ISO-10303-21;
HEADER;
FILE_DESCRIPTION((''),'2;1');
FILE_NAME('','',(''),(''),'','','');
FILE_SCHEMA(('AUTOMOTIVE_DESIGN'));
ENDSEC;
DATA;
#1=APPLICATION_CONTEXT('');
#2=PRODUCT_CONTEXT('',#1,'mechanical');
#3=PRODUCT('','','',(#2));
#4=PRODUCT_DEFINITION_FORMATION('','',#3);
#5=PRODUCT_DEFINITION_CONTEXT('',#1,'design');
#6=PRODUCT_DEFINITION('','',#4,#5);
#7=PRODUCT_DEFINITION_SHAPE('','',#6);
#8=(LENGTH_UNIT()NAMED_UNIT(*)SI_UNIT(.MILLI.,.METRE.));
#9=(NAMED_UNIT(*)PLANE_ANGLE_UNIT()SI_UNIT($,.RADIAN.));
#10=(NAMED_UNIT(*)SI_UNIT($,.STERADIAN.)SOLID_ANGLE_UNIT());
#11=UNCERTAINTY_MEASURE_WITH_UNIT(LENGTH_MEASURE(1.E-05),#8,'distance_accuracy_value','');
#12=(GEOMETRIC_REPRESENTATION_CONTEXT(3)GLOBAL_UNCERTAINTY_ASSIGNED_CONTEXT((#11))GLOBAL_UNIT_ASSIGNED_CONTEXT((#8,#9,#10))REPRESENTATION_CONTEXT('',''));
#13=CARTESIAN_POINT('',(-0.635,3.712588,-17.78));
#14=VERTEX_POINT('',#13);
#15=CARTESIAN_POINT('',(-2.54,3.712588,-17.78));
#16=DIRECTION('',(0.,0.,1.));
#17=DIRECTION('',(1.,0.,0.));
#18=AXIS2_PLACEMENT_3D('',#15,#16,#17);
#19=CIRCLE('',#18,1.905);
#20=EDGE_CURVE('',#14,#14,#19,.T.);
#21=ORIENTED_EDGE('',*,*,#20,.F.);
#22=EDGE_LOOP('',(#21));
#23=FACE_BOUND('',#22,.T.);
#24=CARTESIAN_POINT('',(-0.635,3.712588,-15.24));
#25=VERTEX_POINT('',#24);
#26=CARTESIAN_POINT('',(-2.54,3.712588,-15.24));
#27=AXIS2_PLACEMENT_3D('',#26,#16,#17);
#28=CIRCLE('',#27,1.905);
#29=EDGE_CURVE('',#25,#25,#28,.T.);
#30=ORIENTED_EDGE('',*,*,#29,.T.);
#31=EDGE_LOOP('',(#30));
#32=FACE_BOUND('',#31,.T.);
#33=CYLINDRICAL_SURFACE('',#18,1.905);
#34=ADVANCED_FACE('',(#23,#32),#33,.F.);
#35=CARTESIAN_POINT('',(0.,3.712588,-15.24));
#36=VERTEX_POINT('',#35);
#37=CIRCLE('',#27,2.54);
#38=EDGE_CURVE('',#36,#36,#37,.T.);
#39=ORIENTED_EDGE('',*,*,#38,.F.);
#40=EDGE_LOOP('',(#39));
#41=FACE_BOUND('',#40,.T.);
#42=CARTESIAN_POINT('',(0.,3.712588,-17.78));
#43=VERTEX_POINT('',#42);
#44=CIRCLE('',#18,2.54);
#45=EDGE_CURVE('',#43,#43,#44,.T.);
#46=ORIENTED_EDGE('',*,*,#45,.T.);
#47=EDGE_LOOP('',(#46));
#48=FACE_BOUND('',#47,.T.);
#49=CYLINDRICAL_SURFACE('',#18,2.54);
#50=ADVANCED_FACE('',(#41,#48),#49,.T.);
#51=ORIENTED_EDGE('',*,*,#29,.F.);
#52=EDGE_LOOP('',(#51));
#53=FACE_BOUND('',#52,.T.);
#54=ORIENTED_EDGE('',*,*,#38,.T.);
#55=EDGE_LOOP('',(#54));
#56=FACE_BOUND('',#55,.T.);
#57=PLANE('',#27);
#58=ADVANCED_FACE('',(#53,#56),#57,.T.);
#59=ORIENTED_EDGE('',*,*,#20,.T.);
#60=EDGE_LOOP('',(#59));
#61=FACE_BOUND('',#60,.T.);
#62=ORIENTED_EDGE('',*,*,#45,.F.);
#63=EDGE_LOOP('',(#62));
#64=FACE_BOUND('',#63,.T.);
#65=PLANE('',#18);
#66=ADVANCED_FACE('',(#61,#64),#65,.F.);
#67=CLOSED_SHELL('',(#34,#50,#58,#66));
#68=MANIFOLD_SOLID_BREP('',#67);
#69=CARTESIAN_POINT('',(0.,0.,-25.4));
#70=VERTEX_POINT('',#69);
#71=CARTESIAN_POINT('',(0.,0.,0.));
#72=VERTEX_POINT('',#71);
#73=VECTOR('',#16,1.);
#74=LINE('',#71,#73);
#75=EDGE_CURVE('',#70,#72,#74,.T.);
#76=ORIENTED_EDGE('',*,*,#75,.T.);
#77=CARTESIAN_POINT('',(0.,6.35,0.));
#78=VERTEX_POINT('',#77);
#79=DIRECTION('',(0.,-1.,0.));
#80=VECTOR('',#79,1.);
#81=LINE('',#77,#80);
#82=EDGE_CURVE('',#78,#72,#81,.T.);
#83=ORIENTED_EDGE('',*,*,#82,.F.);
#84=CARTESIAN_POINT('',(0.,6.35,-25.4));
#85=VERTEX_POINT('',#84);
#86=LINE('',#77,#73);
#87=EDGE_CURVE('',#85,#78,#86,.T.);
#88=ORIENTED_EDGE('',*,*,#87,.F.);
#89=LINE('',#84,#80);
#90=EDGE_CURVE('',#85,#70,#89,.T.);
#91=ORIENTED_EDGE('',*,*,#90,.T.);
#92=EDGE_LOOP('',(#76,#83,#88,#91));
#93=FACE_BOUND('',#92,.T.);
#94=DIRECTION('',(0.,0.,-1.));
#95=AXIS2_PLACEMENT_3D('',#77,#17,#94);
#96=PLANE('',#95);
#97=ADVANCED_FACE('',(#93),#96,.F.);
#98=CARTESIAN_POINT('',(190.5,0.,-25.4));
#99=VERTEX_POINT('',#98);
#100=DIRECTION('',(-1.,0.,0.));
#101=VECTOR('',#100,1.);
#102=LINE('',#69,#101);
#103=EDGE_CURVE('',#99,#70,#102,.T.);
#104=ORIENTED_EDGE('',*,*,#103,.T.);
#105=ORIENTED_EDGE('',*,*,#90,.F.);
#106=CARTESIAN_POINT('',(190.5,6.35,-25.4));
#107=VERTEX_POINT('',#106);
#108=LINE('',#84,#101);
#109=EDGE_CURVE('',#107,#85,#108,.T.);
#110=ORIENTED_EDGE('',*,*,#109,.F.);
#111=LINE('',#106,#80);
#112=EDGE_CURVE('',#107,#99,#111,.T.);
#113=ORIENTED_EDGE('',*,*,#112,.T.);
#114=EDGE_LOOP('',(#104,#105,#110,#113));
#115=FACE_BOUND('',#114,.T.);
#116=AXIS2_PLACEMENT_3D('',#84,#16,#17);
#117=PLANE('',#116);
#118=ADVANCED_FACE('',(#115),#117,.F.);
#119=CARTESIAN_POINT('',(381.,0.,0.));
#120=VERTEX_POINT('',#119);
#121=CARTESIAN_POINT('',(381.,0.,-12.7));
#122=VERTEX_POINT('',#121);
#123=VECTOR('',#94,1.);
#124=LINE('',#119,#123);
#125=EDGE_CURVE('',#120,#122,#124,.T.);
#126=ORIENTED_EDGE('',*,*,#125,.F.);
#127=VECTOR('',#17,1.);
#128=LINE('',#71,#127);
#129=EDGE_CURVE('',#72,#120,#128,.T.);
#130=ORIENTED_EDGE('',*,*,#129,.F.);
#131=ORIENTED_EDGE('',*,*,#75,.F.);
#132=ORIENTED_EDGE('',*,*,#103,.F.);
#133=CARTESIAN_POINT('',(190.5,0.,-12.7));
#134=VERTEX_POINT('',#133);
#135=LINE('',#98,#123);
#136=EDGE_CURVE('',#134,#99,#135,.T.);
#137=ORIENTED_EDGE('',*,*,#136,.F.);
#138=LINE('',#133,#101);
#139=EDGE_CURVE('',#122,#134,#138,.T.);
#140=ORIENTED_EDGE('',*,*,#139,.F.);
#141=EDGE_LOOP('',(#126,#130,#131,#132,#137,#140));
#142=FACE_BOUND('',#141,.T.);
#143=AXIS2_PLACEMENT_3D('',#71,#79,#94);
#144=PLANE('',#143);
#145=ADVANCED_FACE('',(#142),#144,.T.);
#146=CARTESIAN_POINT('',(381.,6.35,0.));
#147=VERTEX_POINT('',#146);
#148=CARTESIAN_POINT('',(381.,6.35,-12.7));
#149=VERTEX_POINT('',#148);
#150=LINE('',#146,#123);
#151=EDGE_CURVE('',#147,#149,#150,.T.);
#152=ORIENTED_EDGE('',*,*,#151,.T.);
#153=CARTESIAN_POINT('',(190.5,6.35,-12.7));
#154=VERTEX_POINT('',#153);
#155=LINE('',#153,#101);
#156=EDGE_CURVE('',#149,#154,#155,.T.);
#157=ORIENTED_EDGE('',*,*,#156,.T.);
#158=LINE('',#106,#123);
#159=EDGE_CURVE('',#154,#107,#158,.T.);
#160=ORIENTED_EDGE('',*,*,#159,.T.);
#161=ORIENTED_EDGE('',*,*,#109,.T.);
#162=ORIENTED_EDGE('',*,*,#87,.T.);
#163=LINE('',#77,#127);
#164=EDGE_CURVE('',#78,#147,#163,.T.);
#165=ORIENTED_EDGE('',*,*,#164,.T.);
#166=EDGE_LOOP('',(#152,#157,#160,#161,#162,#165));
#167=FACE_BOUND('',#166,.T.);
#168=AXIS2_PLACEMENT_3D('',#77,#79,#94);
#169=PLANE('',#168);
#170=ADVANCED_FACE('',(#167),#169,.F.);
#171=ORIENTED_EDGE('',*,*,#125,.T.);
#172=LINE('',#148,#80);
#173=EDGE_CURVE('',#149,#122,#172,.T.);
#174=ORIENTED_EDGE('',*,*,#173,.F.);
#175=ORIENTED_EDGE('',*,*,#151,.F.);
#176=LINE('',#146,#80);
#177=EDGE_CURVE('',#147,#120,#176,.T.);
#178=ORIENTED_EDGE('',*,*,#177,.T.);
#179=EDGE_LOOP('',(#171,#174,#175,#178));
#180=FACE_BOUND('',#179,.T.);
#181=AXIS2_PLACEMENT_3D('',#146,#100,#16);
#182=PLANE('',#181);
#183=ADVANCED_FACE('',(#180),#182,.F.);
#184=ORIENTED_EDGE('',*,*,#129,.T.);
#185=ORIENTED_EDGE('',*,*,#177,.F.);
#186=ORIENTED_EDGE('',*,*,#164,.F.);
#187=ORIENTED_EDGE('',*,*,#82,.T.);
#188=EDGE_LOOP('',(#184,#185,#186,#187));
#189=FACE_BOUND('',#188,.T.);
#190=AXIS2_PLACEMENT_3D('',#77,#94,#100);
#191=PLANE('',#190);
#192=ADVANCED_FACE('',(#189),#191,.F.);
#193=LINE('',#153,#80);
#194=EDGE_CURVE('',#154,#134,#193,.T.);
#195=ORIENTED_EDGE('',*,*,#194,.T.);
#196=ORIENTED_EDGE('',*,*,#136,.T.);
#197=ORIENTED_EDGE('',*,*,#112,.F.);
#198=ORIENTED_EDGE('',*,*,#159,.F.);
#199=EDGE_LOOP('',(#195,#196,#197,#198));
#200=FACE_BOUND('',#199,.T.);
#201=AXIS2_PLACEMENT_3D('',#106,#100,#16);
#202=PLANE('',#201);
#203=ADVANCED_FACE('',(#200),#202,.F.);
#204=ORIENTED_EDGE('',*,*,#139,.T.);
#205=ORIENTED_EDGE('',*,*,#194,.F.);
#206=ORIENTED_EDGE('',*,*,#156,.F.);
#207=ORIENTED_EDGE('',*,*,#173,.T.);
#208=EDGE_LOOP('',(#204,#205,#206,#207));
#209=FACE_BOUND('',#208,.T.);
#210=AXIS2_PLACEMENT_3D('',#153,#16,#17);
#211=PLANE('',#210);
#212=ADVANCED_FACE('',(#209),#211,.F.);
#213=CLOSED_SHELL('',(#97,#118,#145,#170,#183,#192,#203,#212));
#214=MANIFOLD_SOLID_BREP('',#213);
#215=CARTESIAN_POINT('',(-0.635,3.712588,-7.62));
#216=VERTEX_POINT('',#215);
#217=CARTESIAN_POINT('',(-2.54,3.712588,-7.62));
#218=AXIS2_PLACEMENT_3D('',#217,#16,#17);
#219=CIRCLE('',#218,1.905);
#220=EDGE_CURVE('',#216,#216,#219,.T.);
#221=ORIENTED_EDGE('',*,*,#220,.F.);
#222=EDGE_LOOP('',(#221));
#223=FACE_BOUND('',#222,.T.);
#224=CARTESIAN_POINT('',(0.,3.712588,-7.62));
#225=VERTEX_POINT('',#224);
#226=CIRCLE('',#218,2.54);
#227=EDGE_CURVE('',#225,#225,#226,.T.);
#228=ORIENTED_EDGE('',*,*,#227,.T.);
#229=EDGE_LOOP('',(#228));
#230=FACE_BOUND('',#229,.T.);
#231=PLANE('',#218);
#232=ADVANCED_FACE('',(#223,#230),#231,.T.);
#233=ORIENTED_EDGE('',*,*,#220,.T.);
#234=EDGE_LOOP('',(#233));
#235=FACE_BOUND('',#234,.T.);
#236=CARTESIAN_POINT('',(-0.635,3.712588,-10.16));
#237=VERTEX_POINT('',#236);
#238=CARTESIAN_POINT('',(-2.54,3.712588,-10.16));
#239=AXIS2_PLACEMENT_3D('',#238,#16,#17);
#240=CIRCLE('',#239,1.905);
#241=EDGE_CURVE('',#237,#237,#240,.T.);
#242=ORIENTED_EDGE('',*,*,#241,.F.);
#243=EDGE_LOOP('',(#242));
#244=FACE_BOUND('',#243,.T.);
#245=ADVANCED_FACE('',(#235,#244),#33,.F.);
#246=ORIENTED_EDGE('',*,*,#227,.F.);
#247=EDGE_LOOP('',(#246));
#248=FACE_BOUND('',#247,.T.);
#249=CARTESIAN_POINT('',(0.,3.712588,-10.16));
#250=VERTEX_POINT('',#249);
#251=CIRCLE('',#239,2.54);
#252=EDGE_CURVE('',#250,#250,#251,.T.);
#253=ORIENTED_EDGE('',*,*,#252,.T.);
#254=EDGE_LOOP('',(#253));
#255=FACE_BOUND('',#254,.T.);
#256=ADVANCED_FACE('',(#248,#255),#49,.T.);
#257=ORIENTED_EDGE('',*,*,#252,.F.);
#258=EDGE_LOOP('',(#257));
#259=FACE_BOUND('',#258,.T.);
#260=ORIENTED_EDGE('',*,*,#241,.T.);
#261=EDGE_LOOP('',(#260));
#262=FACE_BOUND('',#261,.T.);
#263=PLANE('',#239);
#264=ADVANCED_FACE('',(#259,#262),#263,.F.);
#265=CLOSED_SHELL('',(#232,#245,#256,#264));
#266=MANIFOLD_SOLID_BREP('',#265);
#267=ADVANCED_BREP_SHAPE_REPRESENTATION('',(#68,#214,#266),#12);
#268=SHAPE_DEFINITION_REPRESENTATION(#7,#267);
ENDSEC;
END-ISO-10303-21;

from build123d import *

# Parameters (mm, degrees)
BOSS_EXTRUDE1_DEPTH      = 6.35
BOSS_EXTRUDE2_DEPTH      = 5.08
BOSS_EXTRUDE2_DEPTH_BACK = 5.08
SKETCH2_R                = 2.54
SKETCH2_R_2              = 1.905
CUT_EXTRUDE1_DEPTH       = 2.54
CUT_EXTRUDE1_DEPTH_BACK  = 2.54
SKETCH3_R                = 2.54
SKETCH3_R_2              = 1.905


with BuildPart() as part:
    # Sketch1 → Boss-Extrude1 (new body)
    with BuildSketch(Plane(origin=(0, 0, 0), x_dir=(1, 0, 0), z_dir=(0, 1, 0))):
        Polygon((190.5, 25.4), (190.5, 12.7), (381, 12.7), (381, 0), (0, 0), (0, 25.4), align=None)
    extrude(amount=BOSS_EXTRUDE1_DEPTH)


with BuildPart() as body_2:
    # Sketch2 → Boss-Extrude2 (new, two sides: drawn at the far end of the back side and taken through both)
    with BuildSketch(Plane.XY.offset(-12.7).offset(-BOSS_EXTRUDE2_DEPTH_BACK)):
        with Locations((-2.54, 3.712588247)):
            Circle(SKETCH2_R)
        with Locations((-2.54, 3.712588247)):
            Circle(SKETCH2_R_2, mode=Mode.SUBTRACT)
    extrude(amount=BOSS_EXTRUDE2_DEPTH + BOSS_EXTRUDE2_DEPTH_BACK)

    # Sketch3 → Cut-Extrude1 (cut, two sides: drawn at the far end of the back side and taken through both)
    with BuildSketch(Plane.XY.offset(-12.7).offset(-CUT_EXTRUDE1_DEPTH_BACK)):
        with Locations((-2.54, 3.712588247)):
            Circle(SKETCH3_R)
        with Locations((-2.54, 3.712588247)):
            Circle(SKETCH3_R_2, mode=Mode.SUBTRACT)
    extrude(amount=CUT_EXTRUDE1_DEPTH + CUT_EXTRUDE1_DEPTH_BACK, mode=Mode.SUBTRACT)


with BuildPart() as cut_extrude1_piece_1:
    # of the separate pieces the step leaves, piece 1, a body of its own (cut_extrude1_pieces)
    add(body_2.part.solids().sort_by_distance((0, 3.712588247, -15.24))[0])


with BuildPart() as cut_extrude1_piece_2:
    # of the separate pieces the step leaves, piece 2, a body of its own (cut_extrude1_pieces)
    add(body_2.part.solids().sort_by_distance((0, 3.712588247, -10.16))[0])


solid = Compound([part.part, cut_extrude1_piece_1.part, cut_extrude1_piece_2.part])
